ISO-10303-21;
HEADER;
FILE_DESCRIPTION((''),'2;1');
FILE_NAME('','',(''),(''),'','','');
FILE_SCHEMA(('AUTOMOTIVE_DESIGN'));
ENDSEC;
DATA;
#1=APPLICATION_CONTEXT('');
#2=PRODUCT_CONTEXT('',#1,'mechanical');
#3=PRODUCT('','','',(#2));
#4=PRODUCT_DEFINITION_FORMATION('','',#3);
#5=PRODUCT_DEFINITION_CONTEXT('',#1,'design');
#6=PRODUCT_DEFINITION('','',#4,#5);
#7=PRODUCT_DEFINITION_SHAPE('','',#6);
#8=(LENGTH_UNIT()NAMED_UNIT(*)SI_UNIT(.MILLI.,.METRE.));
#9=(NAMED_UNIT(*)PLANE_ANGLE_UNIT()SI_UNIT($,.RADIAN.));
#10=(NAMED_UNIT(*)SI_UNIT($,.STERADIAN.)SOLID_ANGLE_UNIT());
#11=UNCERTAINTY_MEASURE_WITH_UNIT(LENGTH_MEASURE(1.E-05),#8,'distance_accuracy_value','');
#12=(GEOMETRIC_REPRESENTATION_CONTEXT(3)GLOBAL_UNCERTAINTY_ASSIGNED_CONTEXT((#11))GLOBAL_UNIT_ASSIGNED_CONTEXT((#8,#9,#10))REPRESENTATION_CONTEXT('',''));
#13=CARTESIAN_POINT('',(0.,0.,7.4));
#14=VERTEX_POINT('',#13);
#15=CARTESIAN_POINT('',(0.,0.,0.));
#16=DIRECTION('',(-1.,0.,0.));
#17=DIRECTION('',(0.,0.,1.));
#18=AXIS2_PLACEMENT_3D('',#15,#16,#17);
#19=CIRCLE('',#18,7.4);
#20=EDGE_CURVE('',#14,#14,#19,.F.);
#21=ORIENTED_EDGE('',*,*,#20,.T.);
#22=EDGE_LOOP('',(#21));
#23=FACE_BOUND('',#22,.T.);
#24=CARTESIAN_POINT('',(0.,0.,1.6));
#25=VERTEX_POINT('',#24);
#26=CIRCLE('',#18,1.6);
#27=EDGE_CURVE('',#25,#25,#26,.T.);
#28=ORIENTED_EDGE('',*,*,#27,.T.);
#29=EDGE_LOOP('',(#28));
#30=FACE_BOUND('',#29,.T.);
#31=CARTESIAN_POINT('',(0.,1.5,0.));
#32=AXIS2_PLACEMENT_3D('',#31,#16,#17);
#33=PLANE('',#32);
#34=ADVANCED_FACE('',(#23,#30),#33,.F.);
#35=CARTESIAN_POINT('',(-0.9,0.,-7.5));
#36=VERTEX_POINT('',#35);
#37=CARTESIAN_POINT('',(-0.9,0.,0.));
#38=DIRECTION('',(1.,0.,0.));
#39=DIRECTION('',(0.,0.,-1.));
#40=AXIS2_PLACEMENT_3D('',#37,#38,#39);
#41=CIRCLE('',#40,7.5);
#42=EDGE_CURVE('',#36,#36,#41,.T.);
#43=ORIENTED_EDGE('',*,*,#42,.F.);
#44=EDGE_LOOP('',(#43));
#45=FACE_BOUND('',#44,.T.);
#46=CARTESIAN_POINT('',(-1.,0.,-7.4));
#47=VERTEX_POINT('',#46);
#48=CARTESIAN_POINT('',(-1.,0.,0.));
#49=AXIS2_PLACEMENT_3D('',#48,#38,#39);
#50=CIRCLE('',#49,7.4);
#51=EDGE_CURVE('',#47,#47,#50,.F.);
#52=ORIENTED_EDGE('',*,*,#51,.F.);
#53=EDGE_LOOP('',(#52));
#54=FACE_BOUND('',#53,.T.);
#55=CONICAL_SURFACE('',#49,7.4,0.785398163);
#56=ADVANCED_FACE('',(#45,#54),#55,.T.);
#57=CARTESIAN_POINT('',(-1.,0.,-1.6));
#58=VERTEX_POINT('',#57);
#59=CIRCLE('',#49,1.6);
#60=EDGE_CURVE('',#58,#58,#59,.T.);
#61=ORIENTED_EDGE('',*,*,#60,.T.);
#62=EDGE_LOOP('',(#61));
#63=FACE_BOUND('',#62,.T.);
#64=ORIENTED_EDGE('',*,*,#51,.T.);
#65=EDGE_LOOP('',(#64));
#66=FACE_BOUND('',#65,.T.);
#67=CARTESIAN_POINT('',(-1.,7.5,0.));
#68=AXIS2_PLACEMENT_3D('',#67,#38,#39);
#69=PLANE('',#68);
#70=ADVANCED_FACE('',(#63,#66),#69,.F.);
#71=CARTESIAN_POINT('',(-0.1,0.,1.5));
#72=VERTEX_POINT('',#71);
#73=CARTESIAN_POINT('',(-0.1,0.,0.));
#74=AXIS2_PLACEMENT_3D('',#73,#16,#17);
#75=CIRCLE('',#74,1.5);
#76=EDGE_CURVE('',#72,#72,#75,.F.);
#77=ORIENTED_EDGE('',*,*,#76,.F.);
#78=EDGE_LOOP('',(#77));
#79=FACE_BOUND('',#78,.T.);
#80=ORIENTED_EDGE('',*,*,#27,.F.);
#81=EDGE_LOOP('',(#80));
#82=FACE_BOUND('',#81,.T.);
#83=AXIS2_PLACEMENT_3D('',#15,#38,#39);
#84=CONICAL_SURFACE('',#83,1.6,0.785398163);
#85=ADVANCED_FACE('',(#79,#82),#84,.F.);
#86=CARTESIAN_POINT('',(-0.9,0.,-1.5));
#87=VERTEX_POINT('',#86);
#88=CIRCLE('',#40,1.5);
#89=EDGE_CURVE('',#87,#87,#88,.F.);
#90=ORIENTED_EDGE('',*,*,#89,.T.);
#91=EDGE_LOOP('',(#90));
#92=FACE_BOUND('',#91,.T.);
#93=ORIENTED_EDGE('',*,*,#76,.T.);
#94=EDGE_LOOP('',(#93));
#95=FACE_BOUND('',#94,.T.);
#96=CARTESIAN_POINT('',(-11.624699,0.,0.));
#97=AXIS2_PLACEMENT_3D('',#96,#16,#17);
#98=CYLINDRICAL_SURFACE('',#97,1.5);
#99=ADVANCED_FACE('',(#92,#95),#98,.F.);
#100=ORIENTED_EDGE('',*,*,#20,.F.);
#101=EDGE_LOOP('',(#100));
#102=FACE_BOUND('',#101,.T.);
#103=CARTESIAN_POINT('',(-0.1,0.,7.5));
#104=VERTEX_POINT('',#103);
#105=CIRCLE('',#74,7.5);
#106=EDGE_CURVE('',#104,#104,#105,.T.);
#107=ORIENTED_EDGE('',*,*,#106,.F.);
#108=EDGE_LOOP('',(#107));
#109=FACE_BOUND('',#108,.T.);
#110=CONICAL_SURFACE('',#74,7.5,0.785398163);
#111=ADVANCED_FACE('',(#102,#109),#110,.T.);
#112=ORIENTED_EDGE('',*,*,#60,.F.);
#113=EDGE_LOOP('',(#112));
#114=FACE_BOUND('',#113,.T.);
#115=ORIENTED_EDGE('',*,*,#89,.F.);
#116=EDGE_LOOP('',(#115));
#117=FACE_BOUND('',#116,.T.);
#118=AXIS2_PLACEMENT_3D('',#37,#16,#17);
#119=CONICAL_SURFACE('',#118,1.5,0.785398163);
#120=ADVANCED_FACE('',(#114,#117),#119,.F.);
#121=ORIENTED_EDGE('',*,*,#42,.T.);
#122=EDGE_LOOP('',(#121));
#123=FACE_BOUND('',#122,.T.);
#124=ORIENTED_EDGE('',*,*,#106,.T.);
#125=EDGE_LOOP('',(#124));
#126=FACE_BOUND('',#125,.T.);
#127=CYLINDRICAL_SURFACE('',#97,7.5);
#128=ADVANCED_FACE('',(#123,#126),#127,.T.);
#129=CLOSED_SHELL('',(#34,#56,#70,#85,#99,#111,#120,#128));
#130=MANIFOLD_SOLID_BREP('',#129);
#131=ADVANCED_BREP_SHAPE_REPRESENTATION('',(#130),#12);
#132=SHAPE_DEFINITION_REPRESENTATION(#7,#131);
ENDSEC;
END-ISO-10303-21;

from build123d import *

# Parameters (mm, degrees)
SKETCH_1_W     = 1
SKETCH_1_H     = 6
CHAMFER_1_SIZE = 0.1


with BuildPart() as part:
    # 草图1 → 旋转1 (revolve)
    with BuildSketch(Plane.XY, mode=Mode.PRIVATE) as revolve_1_sk:
        with Locations((-0.5, 4.5)):
            Rectangle(SKETCH_1_W, SKETCH_1_H)
    revolve(revolve_1_sk.sketch.rotate(Axis((-11.624698891, 0, 0), (1, 0, 0)), 90), axis=Axis((-11.624698891, 0, 0), (1, 0, 0)))

    # 倒角1
    chamfer_1_edges = [part.edges().sort_by_distance(p)[0] for p in [
        (-1, 0, -1.5),
        (-1, 0, -7.5),
        (0, 0, -7.5),
        (0, 0, -1.5),
    ]]
    chamfer(chamfer_1_edges, length=CHAMFER_1_SIZE)


solid = part.part
